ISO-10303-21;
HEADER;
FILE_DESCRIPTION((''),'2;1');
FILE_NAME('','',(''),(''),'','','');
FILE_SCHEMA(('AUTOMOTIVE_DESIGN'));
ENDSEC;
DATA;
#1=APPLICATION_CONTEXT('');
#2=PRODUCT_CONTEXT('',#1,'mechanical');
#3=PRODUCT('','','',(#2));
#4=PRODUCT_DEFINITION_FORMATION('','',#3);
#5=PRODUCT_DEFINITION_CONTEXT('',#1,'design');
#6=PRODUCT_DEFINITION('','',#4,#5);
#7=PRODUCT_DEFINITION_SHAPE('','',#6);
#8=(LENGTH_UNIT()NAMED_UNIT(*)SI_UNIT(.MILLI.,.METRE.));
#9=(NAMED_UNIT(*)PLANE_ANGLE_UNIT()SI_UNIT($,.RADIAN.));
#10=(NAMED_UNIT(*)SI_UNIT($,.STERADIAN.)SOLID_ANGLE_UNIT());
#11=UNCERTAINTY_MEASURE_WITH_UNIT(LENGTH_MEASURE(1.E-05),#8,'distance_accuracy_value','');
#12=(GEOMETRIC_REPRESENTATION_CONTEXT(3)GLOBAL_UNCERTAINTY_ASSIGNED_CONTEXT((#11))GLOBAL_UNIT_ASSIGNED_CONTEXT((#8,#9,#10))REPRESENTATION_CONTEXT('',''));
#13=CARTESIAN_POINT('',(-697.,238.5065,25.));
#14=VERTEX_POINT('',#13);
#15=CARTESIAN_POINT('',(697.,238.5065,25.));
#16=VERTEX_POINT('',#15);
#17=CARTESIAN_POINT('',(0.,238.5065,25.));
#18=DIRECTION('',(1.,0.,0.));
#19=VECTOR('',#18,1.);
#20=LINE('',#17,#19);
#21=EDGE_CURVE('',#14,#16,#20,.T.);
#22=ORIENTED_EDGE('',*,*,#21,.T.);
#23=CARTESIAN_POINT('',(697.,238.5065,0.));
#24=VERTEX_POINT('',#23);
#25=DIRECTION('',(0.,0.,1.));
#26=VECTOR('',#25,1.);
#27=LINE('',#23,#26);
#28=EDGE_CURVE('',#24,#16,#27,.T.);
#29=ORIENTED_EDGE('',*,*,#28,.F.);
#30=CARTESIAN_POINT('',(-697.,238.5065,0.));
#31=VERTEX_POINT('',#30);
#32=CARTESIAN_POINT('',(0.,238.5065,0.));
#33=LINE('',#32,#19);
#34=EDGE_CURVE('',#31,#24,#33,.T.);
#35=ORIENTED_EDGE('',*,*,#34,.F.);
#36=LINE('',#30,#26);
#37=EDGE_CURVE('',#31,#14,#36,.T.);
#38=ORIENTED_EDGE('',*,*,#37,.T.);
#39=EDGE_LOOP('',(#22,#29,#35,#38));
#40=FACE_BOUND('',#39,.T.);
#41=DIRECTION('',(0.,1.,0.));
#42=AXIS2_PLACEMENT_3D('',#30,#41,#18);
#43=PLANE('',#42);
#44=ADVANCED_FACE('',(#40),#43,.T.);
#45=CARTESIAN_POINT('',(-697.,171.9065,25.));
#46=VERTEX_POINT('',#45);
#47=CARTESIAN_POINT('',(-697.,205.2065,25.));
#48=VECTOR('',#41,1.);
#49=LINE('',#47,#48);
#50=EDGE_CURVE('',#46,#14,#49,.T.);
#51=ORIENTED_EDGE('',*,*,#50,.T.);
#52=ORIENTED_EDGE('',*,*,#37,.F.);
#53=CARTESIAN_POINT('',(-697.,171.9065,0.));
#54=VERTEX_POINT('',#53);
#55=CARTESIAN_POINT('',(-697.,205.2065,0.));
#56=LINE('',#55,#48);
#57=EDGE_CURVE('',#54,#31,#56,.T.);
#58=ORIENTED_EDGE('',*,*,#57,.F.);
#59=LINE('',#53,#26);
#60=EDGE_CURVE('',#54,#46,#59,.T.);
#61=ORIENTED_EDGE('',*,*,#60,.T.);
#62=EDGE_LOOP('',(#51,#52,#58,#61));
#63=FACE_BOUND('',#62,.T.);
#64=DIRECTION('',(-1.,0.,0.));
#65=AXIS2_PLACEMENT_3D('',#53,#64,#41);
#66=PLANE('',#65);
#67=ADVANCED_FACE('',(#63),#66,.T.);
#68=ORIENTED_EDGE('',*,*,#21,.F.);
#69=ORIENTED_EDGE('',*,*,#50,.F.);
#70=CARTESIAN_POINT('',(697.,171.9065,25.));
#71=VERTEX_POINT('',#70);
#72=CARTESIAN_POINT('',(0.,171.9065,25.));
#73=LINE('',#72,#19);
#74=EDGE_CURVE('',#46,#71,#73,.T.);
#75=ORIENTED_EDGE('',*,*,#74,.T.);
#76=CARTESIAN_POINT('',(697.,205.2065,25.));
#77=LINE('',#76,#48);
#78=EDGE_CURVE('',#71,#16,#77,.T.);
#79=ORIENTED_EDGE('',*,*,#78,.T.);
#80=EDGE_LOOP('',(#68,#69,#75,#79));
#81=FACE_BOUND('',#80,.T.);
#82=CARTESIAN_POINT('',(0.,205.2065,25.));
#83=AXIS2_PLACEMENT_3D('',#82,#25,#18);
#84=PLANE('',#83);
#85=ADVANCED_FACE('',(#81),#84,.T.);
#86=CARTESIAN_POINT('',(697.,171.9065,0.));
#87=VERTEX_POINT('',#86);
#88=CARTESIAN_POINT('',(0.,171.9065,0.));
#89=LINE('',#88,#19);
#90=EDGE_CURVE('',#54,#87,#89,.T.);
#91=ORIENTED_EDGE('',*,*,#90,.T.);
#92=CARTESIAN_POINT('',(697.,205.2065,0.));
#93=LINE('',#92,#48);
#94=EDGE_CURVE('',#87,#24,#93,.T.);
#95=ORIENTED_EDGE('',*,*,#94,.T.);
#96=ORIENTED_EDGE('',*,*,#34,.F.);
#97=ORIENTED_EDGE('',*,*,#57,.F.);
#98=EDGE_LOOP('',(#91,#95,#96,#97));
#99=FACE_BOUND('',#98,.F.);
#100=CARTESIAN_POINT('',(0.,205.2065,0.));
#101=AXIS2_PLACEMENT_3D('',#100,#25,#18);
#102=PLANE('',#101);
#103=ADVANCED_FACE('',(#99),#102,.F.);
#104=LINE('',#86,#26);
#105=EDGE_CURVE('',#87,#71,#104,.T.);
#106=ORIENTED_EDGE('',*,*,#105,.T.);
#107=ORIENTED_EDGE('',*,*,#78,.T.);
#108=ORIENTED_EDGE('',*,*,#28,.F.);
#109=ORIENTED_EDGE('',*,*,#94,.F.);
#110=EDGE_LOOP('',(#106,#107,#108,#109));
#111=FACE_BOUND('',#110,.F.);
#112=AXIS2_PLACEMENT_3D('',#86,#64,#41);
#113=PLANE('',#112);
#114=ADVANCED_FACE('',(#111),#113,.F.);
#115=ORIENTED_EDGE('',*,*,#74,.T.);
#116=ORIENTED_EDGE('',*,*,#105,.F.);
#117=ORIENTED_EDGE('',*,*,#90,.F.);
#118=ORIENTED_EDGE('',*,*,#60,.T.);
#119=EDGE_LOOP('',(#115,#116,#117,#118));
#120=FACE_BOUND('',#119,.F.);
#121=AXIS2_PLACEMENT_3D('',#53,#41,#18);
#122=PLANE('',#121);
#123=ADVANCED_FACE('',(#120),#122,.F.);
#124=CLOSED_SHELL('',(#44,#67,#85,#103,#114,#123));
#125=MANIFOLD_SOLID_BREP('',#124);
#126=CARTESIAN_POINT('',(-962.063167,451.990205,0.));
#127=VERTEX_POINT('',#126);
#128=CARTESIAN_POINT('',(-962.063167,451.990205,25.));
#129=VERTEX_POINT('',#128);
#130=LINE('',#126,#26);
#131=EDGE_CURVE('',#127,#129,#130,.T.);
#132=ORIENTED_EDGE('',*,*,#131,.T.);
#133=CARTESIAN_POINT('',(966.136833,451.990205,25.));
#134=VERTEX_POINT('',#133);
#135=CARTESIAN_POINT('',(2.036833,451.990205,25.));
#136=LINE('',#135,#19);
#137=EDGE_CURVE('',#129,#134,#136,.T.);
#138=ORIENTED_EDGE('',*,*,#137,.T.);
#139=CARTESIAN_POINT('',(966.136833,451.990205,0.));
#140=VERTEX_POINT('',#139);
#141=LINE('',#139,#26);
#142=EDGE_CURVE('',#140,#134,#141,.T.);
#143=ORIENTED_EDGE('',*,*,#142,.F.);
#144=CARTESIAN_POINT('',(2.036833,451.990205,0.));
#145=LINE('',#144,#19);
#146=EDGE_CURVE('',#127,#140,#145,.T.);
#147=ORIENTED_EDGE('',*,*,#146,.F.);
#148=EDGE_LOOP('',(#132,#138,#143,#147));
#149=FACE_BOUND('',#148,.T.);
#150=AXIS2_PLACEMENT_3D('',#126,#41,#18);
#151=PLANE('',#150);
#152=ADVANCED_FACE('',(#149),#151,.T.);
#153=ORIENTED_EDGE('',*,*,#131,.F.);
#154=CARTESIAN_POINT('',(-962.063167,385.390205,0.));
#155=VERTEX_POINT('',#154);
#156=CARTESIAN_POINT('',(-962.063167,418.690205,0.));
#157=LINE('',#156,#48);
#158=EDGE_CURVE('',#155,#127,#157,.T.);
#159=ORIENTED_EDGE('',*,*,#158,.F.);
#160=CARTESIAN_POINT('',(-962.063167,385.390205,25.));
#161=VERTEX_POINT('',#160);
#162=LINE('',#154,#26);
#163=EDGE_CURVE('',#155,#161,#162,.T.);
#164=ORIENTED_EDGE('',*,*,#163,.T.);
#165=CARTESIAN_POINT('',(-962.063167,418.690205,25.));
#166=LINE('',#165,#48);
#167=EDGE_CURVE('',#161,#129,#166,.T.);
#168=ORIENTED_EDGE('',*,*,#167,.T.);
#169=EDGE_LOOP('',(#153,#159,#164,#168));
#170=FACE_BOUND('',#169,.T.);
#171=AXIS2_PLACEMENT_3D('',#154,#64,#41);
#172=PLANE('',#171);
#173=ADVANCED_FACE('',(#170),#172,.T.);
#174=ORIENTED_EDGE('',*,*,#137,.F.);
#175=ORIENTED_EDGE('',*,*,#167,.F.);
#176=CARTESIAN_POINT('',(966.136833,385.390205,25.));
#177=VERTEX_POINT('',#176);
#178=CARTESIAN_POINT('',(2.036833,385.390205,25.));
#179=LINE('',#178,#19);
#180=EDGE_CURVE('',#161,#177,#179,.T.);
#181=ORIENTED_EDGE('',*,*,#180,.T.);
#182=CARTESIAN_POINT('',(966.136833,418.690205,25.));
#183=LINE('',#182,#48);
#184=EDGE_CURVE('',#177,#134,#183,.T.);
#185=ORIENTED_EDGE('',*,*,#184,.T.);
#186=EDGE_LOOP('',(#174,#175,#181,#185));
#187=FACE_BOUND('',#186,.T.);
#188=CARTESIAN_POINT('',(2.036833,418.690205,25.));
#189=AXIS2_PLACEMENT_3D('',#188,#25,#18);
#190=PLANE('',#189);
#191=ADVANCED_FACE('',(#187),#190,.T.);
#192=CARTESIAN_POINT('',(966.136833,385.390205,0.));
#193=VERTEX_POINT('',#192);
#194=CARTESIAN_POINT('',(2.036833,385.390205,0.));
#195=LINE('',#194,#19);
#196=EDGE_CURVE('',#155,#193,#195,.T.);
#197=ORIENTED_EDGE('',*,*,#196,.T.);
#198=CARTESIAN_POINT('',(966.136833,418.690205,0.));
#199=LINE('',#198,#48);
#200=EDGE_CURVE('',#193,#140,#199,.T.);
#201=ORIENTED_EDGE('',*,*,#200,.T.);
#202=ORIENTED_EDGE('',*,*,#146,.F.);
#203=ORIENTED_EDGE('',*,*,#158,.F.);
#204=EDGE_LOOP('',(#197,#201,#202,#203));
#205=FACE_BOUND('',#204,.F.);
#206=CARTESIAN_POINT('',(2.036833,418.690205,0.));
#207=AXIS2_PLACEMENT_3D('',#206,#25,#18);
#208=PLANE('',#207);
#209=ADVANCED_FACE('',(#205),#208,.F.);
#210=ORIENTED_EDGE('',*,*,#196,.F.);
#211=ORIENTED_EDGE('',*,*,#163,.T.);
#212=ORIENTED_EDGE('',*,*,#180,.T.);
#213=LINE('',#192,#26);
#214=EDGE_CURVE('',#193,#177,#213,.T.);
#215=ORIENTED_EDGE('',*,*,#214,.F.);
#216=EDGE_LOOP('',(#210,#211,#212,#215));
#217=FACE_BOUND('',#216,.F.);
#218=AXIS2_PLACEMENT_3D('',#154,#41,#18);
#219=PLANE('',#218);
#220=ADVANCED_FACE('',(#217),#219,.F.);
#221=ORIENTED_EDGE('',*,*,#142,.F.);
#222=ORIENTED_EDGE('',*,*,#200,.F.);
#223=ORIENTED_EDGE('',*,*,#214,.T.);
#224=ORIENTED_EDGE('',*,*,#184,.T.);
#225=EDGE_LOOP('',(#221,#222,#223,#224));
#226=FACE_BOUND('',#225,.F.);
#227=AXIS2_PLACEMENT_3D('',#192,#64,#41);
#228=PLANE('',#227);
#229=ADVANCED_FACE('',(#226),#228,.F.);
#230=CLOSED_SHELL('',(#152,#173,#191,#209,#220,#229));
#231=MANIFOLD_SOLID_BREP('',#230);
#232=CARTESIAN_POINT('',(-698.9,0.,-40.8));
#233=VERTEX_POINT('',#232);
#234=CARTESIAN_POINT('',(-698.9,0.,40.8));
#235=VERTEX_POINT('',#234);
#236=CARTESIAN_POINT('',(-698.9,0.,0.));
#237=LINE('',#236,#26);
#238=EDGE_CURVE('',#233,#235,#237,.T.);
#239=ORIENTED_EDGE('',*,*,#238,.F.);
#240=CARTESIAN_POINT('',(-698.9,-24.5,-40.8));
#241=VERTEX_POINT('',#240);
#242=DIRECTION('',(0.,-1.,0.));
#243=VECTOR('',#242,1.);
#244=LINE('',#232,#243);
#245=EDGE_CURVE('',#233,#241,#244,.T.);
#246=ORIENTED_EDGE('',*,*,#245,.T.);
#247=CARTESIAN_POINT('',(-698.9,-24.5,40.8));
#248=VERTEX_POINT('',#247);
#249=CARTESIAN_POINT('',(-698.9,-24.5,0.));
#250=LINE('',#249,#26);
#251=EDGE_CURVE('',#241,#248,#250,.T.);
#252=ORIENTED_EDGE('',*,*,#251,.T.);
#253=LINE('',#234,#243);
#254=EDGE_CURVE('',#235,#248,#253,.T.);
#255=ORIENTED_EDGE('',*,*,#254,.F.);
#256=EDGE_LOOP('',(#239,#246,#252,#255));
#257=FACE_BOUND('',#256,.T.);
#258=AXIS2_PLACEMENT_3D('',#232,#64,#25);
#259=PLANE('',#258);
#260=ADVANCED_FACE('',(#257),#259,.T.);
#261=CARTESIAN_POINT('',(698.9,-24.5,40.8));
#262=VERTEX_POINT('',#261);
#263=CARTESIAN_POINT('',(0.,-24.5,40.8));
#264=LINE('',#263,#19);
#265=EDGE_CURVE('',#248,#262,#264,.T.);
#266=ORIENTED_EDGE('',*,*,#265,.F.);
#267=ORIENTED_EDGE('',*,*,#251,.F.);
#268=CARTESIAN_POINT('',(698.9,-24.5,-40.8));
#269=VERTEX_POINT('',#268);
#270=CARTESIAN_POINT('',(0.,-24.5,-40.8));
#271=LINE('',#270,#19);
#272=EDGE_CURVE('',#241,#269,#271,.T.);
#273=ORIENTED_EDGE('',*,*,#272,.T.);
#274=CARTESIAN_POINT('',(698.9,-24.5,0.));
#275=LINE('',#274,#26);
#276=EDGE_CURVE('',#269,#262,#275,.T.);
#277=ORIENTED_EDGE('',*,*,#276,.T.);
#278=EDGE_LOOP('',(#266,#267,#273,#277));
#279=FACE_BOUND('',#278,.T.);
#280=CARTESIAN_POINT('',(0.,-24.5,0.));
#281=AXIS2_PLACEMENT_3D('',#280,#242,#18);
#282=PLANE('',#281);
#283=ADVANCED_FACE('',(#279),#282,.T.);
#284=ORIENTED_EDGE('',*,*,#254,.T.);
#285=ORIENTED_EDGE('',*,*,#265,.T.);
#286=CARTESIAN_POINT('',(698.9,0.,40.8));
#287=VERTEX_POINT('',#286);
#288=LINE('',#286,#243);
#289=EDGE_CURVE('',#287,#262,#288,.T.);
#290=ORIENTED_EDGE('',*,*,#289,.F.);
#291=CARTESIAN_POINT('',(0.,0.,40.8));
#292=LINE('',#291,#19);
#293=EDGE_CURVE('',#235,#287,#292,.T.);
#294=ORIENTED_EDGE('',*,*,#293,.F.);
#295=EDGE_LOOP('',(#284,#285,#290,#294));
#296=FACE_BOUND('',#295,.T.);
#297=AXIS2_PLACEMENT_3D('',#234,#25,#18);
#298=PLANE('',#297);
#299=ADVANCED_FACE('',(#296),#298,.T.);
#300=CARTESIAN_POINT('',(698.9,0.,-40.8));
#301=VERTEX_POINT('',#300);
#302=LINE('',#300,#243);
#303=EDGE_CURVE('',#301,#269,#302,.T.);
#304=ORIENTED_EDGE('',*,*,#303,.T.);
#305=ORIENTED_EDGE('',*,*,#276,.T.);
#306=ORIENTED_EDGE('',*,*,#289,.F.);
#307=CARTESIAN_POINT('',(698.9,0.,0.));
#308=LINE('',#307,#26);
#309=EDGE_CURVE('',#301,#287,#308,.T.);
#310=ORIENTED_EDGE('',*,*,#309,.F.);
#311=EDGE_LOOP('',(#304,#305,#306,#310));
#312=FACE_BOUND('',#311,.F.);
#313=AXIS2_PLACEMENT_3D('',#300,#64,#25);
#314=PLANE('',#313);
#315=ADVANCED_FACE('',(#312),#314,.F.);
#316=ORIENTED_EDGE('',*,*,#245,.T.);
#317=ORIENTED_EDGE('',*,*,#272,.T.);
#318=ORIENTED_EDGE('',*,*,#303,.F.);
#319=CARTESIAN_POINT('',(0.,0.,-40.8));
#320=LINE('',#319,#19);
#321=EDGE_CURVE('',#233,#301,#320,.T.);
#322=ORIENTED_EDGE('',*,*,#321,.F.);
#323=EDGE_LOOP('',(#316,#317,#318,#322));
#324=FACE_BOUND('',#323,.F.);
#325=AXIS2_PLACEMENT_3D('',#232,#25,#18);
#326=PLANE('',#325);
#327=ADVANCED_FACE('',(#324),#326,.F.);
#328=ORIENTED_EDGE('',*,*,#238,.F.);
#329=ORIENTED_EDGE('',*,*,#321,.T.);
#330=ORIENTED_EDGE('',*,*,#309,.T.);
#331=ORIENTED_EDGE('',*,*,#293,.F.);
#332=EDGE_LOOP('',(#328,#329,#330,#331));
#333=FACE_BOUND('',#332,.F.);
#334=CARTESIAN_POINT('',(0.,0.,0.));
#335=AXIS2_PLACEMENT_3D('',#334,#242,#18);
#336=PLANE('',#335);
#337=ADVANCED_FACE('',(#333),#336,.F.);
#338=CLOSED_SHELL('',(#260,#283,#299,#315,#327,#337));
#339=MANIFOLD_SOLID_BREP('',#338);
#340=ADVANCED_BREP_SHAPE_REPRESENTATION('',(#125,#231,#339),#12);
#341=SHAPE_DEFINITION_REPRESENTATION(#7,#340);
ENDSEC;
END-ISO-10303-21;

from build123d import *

# Parameters (mm, degrees)
F0_W     = 1397.8
F0_H     = 81.6
F1_DEPTH = 24.5
F2_W     = 1394
F2_H     = 66.6
F3_DEPTH = 25
F4_W     = 1928.2
F4_H     = 66.6
F5_DEPTH = 25


with BuildPart() as f1:
    # F0 (on Front) → F1 (new body)
    with BuildSketch(Plane.XZ):
        Rectangle(F0_W, F0_H)
    extrude(amount=F1_DEPTH)


with BuildPart() as f3:
    # F2 (on Top) → F3 (new body)
    with BuildSketch(Plane.XY):
        with Locations((0, 205.2065)):
            Rectangle(F2_W, F2_H)
    extrude(amount=F3_DEPTH)


with BuildPart() as f5:
    # F4 (on Top) → F5 (new body)
    with BuildSketch(Plane.XY):
        with Locations((2.036833, 418.690205)):
            Rectangle(F4_W, F4_H)
    extrude(amount=F5_DEPTH)


solid = Compound([f1.part, f3.part, f5.part])
